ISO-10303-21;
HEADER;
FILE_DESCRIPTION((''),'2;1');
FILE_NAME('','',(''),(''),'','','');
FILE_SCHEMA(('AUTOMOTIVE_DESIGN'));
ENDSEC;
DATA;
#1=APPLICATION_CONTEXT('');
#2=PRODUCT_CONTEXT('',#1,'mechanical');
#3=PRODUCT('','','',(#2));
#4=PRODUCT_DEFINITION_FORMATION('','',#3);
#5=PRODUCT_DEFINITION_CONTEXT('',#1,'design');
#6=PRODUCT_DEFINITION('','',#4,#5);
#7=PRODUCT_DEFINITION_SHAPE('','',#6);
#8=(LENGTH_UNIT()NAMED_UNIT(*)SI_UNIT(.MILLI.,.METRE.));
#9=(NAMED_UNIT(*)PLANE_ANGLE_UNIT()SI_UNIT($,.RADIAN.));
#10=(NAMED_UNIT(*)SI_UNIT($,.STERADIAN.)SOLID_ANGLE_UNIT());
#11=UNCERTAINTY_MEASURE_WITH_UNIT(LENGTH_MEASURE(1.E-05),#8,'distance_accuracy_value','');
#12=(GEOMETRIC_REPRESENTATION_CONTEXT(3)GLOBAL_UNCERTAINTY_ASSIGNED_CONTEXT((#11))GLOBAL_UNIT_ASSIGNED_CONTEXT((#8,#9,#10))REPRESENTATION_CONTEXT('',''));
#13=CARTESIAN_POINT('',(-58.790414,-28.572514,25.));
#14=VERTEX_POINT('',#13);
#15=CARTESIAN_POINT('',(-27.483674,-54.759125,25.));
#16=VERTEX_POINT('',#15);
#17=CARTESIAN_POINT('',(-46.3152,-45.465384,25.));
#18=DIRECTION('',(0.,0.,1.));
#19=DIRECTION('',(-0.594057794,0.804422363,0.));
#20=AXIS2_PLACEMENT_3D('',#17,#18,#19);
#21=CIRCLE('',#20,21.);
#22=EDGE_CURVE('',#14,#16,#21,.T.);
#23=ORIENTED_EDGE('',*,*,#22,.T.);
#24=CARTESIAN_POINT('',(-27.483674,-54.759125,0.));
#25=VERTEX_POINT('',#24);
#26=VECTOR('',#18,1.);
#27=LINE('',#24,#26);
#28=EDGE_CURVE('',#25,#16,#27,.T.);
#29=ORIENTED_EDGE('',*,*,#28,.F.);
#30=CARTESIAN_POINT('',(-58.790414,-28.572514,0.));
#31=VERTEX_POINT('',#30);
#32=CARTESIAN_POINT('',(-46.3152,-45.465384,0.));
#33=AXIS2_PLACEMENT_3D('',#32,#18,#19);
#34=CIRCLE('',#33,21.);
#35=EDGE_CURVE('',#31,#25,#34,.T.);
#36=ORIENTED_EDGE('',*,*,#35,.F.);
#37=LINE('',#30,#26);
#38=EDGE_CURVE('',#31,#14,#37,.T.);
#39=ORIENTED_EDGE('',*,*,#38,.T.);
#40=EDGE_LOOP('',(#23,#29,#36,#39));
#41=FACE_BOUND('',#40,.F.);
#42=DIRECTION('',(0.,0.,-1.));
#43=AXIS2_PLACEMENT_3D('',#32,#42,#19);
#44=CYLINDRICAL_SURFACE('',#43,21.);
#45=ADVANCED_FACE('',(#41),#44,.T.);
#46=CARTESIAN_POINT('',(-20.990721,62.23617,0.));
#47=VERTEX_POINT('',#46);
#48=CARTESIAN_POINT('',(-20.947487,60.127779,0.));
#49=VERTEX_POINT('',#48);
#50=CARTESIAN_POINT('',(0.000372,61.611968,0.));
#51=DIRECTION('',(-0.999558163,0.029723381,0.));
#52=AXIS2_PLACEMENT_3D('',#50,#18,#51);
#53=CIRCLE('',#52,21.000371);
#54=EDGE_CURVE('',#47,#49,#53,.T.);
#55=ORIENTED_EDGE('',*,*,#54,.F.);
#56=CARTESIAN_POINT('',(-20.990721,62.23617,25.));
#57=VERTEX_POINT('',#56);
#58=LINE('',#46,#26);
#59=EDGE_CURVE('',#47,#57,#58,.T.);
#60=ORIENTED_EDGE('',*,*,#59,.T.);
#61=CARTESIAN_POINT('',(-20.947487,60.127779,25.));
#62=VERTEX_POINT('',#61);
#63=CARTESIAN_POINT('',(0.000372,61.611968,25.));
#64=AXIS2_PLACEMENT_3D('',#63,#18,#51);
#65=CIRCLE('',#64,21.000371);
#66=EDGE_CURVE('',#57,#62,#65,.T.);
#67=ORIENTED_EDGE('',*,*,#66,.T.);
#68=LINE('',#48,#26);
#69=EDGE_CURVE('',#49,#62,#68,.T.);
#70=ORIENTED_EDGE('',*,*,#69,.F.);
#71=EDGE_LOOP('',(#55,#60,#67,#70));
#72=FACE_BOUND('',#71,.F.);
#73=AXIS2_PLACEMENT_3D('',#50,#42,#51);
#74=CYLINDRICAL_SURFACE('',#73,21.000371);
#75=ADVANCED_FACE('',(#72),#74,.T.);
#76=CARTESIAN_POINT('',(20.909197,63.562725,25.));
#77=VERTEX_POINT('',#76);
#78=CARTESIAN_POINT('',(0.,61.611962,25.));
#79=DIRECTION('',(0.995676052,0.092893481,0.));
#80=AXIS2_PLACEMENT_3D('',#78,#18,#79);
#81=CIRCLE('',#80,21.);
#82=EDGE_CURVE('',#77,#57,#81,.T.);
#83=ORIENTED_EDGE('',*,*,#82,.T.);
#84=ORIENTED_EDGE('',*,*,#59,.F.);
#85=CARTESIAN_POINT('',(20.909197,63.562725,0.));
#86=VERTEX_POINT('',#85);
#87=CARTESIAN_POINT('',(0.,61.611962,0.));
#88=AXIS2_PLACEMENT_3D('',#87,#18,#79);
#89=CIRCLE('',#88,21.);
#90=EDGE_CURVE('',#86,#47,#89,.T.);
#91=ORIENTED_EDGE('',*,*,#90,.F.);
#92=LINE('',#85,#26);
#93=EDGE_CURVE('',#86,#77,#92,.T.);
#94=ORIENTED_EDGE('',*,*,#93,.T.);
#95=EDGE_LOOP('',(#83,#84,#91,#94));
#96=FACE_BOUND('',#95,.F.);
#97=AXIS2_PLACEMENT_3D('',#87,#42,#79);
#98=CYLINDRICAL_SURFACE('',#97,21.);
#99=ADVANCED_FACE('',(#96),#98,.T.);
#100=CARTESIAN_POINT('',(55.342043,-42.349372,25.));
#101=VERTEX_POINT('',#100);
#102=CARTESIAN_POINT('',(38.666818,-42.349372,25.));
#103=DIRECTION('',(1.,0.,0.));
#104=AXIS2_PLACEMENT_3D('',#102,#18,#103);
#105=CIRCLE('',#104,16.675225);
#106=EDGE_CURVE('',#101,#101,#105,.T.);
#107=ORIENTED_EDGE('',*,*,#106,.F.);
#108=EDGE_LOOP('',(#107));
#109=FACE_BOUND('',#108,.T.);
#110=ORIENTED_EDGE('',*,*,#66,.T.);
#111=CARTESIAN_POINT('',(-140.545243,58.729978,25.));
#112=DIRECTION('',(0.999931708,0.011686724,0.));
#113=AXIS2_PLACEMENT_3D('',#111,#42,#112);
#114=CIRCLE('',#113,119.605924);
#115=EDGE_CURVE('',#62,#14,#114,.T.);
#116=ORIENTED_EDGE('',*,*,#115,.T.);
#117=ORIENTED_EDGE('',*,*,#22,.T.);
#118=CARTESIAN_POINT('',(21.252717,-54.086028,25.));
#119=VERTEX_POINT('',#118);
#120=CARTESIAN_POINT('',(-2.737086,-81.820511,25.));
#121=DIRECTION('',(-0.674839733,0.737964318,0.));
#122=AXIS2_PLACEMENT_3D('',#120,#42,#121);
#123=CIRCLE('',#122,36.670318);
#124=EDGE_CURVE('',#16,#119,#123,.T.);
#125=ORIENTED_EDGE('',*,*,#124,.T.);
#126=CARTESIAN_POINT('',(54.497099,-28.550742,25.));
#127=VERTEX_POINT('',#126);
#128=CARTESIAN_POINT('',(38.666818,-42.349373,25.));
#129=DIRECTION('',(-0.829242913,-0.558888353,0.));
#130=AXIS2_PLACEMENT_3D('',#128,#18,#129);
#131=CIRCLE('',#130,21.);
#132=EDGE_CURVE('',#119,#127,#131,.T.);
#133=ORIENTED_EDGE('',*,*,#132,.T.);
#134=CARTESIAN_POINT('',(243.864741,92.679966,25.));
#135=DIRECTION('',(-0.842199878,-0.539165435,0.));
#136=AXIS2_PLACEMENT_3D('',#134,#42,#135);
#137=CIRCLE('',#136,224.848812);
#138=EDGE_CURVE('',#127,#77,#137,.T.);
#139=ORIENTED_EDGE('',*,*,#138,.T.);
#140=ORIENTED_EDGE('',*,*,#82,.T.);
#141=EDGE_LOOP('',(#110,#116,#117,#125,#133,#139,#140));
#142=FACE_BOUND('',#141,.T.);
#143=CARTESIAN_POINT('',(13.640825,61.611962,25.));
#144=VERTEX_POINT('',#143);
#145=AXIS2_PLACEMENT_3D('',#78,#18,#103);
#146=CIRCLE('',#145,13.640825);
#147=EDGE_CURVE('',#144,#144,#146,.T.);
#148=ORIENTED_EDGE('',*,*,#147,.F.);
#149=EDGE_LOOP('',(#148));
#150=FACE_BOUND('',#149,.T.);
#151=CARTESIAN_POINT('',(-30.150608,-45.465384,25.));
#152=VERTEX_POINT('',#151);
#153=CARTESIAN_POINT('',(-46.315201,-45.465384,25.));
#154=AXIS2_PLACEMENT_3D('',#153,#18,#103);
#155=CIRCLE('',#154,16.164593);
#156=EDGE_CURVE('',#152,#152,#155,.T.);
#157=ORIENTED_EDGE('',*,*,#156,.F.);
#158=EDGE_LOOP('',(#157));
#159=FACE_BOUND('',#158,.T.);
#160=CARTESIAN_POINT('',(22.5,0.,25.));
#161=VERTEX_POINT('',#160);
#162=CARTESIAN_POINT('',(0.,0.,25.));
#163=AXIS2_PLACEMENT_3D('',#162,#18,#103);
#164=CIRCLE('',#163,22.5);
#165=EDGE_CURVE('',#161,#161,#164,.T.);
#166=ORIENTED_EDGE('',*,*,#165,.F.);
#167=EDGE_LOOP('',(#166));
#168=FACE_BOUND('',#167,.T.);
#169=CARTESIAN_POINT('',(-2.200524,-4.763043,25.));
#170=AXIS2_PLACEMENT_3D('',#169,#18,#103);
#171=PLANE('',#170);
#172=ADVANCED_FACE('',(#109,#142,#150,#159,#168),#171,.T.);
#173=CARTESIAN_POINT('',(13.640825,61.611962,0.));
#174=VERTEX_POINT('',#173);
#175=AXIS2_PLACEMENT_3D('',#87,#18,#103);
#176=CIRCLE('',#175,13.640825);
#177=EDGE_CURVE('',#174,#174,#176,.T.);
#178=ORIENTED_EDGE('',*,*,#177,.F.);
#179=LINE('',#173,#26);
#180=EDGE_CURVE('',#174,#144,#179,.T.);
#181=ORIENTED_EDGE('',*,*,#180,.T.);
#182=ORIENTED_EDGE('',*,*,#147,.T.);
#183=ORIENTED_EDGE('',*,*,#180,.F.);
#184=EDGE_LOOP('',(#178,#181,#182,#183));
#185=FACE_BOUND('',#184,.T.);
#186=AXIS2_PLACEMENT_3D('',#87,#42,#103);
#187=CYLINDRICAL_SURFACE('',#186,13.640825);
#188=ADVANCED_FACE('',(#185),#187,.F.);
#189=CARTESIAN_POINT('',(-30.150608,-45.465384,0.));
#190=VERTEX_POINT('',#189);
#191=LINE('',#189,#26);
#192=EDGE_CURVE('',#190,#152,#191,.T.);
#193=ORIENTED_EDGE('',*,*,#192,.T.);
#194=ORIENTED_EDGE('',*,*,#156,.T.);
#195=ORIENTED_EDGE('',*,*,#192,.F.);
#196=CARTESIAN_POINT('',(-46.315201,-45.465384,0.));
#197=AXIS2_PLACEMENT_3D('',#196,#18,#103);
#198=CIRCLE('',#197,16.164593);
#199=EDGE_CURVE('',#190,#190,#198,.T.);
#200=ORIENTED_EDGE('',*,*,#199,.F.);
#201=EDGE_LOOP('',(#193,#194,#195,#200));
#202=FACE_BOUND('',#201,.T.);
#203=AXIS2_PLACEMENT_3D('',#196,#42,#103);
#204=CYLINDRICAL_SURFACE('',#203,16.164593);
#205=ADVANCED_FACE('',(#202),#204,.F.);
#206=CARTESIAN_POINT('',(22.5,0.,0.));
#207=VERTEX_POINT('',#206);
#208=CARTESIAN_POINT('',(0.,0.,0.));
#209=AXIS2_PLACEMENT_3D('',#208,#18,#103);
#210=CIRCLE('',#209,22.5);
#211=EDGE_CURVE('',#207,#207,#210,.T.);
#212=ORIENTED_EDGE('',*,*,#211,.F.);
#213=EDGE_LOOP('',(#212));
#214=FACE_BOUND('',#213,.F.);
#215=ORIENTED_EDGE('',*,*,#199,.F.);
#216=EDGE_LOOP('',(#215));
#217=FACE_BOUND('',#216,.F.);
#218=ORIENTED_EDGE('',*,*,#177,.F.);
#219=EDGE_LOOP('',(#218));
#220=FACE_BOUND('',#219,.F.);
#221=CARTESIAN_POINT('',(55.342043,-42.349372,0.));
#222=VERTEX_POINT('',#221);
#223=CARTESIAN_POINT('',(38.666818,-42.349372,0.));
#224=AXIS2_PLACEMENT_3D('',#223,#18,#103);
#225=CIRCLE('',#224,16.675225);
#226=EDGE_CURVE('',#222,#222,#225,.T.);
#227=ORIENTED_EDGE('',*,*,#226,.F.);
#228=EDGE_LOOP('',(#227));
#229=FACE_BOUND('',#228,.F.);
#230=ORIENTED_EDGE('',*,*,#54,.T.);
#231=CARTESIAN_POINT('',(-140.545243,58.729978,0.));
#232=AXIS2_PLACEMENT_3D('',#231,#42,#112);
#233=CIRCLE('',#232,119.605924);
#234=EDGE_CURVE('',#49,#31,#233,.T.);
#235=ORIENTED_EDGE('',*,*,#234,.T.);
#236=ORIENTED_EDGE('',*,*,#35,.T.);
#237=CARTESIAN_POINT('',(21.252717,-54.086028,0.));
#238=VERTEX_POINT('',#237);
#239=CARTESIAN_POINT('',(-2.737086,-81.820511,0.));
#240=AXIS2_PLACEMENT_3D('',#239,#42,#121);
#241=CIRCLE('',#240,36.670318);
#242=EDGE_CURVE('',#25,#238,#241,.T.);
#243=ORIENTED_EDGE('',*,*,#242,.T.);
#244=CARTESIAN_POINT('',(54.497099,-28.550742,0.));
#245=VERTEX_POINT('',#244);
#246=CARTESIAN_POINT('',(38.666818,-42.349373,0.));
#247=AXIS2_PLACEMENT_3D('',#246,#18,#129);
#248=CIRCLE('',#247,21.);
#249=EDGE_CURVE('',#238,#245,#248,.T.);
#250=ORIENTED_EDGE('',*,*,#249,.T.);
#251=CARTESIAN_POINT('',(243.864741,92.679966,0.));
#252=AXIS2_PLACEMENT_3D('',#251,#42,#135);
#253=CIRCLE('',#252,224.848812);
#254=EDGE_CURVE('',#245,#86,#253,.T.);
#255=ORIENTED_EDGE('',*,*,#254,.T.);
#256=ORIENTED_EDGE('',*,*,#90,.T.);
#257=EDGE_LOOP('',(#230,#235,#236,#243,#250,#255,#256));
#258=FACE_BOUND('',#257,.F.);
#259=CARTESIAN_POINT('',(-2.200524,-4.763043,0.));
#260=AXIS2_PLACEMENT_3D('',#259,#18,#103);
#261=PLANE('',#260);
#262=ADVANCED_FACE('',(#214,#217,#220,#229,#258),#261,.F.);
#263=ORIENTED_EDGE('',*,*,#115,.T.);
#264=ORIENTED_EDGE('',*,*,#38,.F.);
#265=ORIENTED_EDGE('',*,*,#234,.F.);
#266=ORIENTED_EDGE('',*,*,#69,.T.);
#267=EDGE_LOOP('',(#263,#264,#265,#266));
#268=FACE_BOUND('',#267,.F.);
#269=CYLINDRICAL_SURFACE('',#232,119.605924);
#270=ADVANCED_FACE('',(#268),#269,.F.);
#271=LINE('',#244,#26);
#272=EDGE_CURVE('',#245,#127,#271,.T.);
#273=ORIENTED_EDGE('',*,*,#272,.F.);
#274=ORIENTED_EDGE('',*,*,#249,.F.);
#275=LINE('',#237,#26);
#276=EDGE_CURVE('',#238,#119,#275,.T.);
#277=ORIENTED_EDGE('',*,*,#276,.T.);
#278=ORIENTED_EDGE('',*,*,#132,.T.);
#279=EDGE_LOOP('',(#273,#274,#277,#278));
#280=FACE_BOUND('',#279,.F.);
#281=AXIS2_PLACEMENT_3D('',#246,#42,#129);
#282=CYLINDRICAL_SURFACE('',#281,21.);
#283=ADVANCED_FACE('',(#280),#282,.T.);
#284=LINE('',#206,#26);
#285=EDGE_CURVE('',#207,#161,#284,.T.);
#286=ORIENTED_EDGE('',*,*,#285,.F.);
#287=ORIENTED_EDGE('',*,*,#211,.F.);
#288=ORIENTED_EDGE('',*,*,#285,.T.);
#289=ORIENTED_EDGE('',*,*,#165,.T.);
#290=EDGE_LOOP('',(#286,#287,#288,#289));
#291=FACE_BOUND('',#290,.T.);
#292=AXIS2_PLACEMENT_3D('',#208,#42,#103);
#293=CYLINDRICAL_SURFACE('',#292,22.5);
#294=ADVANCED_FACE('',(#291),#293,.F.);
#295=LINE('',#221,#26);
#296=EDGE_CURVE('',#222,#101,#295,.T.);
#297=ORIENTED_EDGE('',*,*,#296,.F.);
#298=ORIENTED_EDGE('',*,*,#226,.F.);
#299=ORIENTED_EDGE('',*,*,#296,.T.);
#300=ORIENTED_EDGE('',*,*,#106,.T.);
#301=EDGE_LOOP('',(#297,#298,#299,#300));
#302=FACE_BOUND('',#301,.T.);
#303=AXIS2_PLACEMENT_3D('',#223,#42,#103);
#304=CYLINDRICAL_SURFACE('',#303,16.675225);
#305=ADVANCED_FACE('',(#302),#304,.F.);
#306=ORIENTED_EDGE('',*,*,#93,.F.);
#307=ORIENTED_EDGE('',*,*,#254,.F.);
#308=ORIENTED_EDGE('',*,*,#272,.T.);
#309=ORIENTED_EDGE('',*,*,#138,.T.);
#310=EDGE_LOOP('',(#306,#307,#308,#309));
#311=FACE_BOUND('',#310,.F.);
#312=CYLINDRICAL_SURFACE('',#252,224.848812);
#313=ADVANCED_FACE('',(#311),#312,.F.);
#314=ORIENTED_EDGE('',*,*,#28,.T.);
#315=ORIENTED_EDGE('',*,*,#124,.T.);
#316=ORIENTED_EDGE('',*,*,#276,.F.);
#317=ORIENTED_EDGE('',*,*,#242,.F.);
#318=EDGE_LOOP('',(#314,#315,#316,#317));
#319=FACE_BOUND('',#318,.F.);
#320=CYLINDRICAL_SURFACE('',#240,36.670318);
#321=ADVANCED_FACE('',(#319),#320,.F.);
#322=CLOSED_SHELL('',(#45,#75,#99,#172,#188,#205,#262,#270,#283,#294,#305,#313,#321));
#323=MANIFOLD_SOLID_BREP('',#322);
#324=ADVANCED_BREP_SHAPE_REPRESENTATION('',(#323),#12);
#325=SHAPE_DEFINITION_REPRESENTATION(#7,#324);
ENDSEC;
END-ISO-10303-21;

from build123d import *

# Parameters (mm, degrees)
F0_R     = 16.164593
F0_R_2   = 16.675225
F0_R_3   = 22.5
F0_R_4   = 13.640825
F1_DEPTH = 25


with BuildPart() as f1:
    # F0 (on Top) → F1 (new body)
    with BuildSketch(Plane.XY):
        with BuildLine():
            ThreePointArc((-20.947487, 60.127779), (-30.533192, 11.794642), (-58.790414, -28.572514))
            ThreePointArc((-58.790414, -28.572514), (-59.788705, -61.573291), (-27.483674, -54.759125))
            ThreePointArc((-27.483674, -54.759125), (-3.243491, -45.15369), (21.252717, -54.086028))
            ThreePointArc((21.252717, -54.086028), (51.458997, -59.003506), (54.497099, -28.550742))
            ThreePointArc((54.497099, -28.550742), (32.62122, 15.652937), (20.909197, 63.562725))
            ThreePointArc((20.909197, 63.562725), (-0.664529, 82.601445), (-20.990721, 62.23617))
            ThreePointArc((-20.990721, 62.23617), (-20.964457, 61.18207), (-20.947487, 60.127779))
        make_face()
        with Locations((-46.315201, -45.465384)):
            Circle(F0_R, mode=Mode.SUBTRACT)
        with Locations((38.666818, -42.349372)):
            Circle(F0_R_2, mode=Mode.SUBTRACT)
        Circle(F0_R_3, mode=Mode.SUBTRACT)
        with Locations((0, 61.611962)):
            Circle(F0_R_4, mode=Mode.SUBTRACT)
        with BuildLine():
            ThreePointArc((-20.990721, 62.23617), (-20.995586, 61.181432), (-20.947487, 60.127779))
            ThreePointArc((-20.947487, 60.127779), (-20.964457, 61.18207), (-20.990721, 62.23617))
        make_face()
    extrude(amount=F1_DEPTH)


solid = f1.part
